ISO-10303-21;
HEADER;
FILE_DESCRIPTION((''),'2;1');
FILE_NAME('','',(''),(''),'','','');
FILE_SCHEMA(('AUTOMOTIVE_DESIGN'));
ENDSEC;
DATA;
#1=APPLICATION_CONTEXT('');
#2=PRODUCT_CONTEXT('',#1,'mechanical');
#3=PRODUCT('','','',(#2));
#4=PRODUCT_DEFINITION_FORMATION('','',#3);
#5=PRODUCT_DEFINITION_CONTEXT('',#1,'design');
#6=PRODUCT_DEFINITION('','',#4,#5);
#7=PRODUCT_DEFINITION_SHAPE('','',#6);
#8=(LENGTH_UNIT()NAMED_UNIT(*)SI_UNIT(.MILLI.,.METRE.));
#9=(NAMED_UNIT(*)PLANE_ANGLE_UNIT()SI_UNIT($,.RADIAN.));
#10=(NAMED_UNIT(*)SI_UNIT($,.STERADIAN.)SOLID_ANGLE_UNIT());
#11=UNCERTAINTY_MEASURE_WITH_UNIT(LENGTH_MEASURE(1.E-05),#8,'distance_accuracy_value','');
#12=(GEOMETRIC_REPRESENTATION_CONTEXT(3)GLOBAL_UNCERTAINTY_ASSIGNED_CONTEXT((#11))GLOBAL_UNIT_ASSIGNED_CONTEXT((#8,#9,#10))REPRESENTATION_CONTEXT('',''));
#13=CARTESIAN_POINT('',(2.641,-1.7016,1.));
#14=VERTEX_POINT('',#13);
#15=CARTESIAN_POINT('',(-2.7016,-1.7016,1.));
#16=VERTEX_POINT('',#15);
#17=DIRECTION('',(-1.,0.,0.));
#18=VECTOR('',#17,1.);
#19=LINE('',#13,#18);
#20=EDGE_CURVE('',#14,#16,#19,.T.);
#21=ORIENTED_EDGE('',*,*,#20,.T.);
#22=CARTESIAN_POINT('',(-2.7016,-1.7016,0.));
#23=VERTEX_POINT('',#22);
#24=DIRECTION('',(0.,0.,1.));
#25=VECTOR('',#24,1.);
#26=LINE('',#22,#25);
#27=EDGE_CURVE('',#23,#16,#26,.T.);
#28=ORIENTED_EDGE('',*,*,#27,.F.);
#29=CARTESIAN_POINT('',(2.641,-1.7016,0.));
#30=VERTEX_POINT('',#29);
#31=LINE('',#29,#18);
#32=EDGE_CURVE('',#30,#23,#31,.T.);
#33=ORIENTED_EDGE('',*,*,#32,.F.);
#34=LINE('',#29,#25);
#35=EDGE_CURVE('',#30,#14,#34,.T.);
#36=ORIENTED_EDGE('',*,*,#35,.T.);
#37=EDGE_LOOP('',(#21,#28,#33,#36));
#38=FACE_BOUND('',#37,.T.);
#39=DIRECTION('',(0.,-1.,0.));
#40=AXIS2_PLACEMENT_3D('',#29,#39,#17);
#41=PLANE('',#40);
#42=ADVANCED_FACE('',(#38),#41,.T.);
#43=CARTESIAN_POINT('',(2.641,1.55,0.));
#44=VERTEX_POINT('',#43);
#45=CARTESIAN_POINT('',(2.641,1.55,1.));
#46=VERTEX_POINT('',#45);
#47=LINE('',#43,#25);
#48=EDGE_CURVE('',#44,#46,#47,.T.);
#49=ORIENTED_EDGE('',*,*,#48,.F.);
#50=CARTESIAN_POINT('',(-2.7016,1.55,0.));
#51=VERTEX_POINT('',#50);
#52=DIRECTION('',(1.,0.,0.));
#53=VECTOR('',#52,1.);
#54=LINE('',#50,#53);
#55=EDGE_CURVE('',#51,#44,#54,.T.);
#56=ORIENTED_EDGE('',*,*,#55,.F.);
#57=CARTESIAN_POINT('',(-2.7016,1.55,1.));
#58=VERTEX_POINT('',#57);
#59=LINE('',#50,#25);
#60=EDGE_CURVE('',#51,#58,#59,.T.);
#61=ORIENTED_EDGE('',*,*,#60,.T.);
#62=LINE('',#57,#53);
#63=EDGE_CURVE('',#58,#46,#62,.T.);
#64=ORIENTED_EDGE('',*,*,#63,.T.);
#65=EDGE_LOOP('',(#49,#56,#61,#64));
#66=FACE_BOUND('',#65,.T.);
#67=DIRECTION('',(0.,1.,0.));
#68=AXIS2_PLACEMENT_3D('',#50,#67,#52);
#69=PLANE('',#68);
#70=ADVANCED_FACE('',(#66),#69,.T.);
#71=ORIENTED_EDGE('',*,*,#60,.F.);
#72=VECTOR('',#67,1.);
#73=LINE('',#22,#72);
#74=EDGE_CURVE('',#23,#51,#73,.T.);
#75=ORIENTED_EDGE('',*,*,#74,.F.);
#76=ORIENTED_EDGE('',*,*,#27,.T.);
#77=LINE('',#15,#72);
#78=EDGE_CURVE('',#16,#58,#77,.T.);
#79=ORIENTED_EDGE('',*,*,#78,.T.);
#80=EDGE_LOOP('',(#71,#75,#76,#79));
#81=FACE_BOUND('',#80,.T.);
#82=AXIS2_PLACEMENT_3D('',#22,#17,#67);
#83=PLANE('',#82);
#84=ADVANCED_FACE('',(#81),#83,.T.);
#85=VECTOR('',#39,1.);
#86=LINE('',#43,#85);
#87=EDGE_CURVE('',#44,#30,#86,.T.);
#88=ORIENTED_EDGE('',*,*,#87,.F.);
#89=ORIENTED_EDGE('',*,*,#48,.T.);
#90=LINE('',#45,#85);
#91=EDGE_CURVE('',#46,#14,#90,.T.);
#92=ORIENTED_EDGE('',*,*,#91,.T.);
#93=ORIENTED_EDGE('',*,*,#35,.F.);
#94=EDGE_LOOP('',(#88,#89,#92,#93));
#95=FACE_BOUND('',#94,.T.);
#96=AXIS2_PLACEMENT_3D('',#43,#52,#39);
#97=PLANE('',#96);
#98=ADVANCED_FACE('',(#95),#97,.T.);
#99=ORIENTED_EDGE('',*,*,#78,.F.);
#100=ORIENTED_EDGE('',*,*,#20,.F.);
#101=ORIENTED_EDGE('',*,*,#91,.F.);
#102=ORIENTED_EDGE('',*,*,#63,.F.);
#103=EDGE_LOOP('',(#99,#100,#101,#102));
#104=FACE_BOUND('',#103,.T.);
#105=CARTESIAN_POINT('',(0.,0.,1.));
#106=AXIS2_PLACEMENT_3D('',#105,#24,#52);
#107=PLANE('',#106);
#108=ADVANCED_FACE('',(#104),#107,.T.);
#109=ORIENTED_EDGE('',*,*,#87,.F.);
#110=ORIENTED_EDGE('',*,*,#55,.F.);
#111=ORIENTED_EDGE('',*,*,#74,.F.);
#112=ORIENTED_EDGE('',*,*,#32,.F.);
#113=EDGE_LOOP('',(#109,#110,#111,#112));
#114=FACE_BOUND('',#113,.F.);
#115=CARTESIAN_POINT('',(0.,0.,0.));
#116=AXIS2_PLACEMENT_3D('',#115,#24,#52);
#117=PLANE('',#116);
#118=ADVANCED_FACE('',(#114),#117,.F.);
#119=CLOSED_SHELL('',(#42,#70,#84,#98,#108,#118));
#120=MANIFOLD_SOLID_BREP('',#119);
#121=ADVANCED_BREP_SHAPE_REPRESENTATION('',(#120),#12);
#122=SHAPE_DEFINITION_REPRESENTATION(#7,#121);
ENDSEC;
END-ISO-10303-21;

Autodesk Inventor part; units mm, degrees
ref_plane "YZ Plane" through (0, 0, 0) normal (1, 0, 0) x (0, 1, 0)
ref_plane "XZ Plane" through (0, 0, 0) normal (0, 1, 0) x (-1, 0, 0)
ref_plane "XY Plane" through (0, 0, 0) normal (0, 0, 1) x (1, 0, 0)
sketch "EIA3528, 47UF_3" plane through (0, 0, 0) normal (0, 0, 1) x (1, 0, 0)
  line L0 (-2.7016, 1.55) -> (2.641, 1.55)
  line L1 (2.641, 1.55) -> (2.641, -1.7016)
  line L2 (2.641, -1.7016) -> (-2.7016, -1.7016)
  line L3 (-2.7016, -1.7016) -> (-2.7016, 1.55)
extrude "Extrusion1" add sketch "EIA3528, 47UF_3" along normal blind 1
properties part number "47UF"
